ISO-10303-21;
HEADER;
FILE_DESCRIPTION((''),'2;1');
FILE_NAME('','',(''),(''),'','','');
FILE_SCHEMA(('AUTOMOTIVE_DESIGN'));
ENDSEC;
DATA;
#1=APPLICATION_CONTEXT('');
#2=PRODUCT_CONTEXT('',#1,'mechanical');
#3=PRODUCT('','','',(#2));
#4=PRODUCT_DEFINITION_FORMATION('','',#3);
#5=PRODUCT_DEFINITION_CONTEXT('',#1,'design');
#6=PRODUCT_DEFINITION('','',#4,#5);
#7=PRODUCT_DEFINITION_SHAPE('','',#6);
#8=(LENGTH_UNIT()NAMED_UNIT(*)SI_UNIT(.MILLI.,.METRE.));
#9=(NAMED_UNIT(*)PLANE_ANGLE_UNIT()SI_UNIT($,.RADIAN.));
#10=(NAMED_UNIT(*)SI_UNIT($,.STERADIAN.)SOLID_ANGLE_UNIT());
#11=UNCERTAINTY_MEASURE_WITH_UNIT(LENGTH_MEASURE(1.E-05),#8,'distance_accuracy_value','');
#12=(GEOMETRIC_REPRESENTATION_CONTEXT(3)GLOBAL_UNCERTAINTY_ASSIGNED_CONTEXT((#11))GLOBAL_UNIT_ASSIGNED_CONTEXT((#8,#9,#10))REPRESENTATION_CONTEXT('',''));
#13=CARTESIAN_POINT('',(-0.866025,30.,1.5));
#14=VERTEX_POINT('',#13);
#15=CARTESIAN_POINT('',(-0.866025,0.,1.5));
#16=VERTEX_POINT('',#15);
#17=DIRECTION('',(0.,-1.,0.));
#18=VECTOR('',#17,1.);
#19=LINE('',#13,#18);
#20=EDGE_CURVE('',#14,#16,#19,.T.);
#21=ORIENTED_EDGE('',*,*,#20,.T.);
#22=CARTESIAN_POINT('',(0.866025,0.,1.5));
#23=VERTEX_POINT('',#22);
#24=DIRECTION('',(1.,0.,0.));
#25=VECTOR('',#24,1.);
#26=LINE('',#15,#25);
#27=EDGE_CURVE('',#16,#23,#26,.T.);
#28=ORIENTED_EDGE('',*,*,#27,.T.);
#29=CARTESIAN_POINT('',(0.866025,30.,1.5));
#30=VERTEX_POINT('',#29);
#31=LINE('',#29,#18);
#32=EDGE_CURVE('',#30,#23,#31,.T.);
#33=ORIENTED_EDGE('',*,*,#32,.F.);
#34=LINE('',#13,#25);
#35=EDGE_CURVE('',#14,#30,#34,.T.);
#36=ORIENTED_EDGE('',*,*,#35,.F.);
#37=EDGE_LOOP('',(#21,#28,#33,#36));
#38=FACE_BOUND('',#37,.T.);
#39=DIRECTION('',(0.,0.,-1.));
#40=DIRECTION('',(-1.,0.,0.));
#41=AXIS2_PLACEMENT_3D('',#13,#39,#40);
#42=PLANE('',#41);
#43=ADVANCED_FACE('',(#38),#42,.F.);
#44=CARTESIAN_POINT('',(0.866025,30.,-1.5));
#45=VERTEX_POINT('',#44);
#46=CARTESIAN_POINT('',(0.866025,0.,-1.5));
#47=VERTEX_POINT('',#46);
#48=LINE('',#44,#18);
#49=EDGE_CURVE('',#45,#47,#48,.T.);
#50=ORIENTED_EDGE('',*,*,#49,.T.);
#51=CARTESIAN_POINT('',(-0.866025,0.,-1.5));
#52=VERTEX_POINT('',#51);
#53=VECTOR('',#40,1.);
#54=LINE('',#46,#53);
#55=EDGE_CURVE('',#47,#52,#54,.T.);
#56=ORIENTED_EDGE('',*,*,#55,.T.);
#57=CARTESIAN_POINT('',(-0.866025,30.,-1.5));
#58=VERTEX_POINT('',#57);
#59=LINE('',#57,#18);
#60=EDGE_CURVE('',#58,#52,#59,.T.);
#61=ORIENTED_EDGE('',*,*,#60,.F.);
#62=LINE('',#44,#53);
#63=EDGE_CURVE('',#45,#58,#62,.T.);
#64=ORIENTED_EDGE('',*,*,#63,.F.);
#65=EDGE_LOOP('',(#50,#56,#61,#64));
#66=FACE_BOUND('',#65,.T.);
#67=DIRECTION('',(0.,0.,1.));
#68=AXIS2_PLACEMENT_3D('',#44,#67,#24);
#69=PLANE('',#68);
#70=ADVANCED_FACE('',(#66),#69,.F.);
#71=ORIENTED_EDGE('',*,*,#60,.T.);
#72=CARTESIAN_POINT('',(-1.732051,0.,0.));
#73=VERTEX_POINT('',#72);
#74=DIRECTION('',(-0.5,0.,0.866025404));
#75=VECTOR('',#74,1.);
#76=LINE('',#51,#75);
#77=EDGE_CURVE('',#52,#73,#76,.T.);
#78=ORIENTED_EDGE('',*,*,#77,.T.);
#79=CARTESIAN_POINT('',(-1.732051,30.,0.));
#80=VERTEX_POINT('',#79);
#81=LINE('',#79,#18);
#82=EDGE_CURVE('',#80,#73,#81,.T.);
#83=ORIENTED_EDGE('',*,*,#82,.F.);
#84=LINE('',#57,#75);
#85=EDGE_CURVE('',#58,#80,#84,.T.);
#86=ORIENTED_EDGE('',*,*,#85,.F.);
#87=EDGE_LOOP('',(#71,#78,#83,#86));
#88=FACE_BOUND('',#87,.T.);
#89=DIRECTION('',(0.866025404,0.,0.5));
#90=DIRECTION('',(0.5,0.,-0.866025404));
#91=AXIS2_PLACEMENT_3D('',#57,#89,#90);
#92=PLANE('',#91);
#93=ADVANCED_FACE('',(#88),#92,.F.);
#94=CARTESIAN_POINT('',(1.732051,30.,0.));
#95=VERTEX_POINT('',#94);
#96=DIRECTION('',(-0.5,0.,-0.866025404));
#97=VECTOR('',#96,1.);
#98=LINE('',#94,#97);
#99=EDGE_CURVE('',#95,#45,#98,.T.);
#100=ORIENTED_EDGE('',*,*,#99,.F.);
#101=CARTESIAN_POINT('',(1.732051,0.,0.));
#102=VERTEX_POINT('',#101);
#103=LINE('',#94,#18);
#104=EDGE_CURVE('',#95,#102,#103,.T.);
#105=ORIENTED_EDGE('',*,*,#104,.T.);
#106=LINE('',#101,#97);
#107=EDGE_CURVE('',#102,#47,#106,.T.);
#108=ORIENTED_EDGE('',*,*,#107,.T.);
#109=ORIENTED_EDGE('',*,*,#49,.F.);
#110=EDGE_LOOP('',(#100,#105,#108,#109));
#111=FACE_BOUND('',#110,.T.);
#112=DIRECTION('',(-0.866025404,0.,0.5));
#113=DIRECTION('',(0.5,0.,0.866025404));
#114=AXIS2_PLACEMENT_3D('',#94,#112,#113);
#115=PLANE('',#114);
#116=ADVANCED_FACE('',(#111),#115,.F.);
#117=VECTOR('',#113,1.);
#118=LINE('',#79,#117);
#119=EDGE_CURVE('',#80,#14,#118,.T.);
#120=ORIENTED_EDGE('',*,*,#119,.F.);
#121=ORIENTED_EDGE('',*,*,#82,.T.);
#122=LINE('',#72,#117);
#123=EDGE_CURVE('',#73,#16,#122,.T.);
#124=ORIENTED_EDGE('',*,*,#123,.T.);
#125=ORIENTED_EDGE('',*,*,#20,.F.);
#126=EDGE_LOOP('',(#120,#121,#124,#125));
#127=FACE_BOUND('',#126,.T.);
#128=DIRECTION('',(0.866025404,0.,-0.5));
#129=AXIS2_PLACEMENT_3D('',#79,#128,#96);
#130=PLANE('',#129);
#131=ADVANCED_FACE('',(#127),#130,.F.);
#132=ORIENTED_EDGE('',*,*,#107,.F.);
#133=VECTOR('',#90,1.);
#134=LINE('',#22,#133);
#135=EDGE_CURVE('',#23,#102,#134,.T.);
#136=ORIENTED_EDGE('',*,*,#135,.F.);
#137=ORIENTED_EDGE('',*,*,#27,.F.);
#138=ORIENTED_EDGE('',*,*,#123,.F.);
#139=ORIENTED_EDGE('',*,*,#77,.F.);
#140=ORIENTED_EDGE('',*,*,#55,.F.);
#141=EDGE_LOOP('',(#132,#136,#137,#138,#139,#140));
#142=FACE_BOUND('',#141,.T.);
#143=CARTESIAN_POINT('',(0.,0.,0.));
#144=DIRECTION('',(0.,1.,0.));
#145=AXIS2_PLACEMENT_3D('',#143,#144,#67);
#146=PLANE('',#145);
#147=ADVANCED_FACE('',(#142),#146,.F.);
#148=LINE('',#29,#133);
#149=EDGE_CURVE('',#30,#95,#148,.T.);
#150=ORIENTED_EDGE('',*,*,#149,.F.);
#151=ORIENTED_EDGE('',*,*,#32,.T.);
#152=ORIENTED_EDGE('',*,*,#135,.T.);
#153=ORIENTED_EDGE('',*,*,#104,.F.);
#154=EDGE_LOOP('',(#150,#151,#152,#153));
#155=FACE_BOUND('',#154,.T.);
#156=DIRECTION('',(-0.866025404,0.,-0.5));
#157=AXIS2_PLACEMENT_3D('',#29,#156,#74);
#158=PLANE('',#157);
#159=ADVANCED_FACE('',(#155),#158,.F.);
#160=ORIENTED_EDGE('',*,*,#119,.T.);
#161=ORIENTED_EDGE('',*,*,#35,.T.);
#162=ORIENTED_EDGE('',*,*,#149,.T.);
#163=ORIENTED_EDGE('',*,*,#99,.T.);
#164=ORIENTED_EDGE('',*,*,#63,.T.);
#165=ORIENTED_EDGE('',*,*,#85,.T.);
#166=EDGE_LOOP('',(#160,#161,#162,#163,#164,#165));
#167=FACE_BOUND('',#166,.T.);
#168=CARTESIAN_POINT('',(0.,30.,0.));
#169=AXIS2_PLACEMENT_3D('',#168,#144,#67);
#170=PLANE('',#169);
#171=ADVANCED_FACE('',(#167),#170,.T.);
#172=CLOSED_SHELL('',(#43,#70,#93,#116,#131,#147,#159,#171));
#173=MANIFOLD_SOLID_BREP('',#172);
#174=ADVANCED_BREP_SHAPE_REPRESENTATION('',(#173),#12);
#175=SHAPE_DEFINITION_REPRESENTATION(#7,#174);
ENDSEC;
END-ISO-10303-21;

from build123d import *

# Parameters (mm, degrees)
EXTRUDE_1_DEPTH = 30


with BuildPart() as part:
    # 草图1 → 凸台-拉伸1 (new body)
    with BuildSketch(Plane(origin=(0, 0, 0), x_dir=(1, 0, 0), z_dir=(0, 1, 0))):
        Polygon((1.732050808, 0), (0.866025404, 1.5), (-0.866025404, 1.5), (-1.732050808, 0), (-0.866025404, -1.5), (0.866025404, -1.5), align=None)
    extrude(amount=EXTRUDE_1_DEPTH)


solid = part.part
